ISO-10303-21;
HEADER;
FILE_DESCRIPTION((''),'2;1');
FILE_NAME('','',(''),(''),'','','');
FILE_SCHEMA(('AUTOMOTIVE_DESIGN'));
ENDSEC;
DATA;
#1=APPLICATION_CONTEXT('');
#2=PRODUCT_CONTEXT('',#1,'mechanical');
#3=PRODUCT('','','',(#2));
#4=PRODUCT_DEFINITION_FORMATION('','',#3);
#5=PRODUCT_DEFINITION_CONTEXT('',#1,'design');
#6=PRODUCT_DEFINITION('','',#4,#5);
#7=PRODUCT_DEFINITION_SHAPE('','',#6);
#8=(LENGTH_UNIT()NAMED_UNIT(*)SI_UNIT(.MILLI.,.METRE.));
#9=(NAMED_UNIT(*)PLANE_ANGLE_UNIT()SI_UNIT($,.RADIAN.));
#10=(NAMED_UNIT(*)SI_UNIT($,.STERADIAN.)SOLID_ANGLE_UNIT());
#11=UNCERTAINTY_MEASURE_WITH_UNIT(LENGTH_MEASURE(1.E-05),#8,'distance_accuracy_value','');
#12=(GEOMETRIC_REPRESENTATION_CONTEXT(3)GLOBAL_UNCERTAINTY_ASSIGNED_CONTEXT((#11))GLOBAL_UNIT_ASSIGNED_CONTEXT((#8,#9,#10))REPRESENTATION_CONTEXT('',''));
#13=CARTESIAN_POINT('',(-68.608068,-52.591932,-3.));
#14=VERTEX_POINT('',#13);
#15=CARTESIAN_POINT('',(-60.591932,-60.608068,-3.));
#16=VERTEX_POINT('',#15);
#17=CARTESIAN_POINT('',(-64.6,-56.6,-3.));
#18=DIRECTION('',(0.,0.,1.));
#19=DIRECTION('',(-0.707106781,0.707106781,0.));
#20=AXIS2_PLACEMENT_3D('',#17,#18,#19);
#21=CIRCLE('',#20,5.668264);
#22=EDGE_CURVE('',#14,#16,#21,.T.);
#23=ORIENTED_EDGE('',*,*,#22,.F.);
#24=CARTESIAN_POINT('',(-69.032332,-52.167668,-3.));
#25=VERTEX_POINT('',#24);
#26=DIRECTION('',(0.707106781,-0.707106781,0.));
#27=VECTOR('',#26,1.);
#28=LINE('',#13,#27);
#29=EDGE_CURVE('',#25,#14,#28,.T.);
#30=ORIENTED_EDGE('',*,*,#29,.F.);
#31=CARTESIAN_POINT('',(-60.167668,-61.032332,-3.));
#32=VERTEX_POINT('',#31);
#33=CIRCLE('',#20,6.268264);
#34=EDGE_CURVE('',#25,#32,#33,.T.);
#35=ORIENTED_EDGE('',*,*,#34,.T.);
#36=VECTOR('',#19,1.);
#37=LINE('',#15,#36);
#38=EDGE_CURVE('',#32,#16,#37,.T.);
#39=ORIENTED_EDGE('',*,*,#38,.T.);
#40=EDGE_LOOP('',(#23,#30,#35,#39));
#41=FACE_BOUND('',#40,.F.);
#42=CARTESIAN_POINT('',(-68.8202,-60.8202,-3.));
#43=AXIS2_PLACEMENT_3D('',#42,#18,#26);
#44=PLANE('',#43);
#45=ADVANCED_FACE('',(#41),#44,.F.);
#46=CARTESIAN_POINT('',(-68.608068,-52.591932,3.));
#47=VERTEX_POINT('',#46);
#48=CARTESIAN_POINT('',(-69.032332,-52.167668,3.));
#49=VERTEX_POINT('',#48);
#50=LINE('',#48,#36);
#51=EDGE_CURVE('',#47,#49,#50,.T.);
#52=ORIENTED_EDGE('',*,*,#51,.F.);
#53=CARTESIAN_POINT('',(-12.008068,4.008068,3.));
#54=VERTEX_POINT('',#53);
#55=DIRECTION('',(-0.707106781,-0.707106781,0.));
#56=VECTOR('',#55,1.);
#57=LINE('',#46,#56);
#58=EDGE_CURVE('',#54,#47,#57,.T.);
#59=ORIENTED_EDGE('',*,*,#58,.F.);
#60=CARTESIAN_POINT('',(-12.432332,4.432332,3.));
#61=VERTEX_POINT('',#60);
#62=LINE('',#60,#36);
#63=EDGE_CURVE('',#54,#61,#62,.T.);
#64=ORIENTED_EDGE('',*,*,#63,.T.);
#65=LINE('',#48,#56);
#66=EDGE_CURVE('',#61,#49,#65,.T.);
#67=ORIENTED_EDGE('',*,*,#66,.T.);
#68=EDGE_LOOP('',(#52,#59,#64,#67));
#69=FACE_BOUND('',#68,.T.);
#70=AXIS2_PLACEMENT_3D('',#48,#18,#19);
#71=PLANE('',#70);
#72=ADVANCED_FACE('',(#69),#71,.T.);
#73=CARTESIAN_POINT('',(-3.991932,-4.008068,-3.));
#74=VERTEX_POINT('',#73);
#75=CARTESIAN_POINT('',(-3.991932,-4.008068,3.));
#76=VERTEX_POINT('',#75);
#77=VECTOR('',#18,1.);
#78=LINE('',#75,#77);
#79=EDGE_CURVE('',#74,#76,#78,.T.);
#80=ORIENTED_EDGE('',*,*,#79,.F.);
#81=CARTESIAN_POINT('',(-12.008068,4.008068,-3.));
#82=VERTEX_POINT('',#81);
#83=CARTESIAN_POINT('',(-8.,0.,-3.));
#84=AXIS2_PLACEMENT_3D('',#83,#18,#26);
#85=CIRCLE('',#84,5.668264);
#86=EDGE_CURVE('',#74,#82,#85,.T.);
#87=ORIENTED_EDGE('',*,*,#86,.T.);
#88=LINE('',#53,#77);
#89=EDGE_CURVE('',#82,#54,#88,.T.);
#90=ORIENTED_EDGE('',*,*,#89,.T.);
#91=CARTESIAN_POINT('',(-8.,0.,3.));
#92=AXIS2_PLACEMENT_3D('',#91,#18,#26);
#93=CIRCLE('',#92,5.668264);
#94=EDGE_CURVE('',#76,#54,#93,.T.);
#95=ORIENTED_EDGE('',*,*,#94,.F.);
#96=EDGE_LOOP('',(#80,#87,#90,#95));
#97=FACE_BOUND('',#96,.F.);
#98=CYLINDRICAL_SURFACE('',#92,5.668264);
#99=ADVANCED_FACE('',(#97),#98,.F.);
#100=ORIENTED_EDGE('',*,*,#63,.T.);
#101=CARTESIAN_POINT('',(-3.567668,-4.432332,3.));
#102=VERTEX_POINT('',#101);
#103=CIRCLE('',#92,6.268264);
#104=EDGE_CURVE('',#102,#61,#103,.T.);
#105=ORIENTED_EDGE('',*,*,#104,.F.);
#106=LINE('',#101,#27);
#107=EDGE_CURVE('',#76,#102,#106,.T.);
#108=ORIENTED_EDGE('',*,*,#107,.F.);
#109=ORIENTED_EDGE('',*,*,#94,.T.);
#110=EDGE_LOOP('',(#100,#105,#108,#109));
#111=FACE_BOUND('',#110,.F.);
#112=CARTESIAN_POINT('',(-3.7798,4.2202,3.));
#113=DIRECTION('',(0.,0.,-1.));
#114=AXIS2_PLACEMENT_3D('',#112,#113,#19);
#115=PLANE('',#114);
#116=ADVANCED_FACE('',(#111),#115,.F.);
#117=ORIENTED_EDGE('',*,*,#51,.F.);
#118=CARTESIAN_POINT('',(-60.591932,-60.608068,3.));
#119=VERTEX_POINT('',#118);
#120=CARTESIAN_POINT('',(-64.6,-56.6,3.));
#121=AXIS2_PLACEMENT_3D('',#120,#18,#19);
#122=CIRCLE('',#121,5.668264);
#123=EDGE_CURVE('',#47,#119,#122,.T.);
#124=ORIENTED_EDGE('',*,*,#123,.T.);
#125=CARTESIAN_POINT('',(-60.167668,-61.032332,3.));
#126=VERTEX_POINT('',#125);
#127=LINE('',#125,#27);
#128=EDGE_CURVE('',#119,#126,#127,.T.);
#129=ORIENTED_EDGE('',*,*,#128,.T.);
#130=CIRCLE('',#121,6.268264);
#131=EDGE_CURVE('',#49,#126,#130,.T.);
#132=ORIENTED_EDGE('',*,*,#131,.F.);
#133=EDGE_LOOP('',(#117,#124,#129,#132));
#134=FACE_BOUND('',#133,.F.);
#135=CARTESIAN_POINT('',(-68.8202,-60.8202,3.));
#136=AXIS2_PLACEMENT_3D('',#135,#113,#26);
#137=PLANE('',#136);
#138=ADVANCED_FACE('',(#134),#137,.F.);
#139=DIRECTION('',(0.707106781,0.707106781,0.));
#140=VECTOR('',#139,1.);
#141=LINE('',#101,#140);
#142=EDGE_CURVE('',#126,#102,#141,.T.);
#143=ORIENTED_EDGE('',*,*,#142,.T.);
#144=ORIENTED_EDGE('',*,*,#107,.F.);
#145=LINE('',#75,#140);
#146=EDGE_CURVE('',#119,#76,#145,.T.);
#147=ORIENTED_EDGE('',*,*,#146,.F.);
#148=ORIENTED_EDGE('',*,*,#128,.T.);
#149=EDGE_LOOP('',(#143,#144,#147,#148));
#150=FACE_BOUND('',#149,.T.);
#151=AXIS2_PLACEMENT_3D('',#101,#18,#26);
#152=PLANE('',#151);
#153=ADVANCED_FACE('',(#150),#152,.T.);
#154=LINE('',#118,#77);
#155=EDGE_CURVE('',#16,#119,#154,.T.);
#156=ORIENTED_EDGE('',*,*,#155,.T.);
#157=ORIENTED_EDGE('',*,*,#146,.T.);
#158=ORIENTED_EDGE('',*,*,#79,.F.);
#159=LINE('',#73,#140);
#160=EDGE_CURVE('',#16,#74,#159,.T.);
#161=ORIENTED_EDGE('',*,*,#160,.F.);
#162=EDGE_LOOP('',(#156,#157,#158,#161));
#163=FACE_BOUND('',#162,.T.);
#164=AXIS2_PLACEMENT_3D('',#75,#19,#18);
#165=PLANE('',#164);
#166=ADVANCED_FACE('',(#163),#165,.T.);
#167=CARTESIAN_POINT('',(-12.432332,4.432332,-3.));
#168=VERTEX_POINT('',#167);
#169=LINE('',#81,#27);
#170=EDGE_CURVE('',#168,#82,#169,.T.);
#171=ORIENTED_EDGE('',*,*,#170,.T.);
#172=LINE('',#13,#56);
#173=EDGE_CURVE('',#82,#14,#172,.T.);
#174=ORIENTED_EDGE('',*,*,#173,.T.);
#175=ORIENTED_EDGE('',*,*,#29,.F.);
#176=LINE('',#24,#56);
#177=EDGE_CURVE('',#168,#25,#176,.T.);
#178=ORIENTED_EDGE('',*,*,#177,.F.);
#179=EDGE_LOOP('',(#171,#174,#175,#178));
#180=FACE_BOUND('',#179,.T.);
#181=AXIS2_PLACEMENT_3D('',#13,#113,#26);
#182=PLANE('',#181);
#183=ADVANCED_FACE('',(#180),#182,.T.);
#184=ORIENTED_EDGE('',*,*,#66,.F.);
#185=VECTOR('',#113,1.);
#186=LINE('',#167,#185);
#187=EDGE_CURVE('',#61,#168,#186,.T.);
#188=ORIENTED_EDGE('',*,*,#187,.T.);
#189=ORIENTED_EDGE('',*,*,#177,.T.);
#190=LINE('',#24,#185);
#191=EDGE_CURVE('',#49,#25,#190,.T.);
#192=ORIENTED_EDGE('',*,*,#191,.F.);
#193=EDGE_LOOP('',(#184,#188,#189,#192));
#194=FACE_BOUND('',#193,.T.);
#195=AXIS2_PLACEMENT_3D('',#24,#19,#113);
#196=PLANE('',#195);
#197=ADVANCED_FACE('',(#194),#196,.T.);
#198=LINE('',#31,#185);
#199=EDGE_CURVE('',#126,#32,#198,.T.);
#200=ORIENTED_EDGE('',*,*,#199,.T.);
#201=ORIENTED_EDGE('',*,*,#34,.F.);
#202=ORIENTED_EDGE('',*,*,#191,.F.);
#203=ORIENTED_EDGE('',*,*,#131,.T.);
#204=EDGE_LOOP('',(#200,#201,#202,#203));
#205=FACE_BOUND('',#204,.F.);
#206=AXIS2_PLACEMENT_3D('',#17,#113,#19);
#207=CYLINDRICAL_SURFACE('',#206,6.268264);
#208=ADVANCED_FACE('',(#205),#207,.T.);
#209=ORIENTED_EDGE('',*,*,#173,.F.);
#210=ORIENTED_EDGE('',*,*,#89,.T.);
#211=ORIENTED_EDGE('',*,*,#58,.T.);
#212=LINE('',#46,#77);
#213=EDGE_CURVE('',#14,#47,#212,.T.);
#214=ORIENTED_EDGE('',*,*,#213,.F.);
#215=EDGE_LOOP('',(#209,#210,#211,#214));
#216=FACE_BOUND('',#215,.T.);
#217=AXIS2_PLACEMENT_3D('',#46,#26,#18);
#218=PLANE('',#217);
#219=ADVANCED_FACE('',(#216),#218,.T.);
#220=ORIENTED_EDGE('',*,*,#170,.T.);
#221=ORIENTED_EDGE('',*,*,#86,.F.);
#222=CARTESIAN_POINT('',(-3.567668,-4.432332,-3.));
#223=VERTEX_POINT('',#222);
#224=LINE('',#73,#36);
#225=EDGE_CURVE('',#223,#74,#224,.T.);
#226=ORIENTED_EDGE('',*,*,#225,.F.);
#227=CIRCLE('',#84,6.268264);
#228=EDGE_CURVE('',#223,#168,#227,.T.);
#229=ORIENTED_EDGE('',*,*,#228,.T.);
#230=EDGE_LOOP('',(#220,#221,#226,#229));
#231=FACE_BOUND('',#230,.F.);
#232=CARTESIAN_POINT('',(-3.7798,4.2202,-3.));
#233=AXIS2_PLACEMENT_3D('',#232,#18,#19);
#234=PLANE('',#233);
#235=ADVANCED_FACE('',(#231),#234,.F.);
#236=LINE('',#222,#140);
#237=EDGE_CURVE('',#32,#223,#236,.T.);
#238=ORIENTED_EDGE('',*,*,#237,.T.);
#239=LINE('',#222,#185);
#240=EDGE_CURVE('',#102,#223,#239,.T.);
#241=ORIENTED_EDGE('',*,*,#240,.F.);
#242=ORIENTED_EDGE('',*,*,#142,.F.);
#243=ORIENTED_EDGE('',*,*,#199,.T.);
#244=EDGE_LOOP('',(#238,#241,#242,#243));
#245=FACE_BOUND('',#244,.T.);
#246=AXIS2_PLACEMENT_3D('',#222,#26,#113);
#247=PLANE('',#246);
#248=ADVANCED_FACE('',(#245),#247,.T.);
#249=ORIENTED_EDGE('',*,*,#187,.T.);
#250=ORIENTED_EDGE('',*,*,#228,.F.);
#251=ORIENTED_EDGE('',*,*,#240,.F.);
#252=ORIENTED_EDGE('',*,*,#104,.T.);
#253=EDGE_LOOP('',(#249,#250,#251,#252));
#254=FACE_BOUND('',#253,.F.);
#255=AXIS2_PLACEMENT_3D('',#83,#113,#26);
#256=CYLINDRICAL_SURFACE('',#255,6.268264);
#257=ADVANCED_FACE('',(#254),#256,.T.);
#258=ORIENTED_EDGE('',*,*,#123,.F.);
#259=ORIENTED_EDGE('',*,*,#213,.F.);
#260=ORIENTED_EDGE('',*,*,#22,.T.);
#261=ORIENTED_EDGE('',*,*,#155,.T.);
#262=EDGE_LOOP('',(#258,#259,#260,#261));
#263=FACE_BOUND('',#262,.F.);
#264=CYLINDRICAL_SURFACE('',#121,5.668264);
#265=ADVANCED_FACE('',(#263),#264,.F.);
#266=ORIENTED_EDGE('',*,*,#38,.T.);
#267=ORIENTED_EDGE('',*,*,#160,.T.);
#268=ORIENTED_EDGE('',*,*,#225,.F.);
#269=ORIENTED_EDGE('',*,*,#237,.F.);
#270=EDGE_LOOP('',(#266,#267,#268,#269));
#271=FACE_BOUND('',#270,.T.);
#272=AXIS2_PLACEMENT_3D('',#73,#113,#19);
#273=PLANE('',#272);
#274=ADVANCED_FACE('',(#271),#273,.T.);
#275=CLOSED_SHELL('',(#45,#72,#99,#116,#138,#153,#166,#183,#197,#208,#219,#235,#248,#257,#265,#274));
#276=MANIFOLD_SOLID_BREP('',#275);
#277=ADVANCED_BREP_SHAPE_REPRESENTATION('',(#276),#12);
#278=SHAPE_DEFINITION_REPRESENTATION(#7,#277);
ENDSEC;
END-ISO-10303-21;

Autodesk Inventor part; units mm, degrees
sketch "Sketch Path" plane through (0, 0, 0) normal (0, 0, 1) x (1, 0, 0)
  arc A0 (-3.7798, -4.2202) -> (-12.2202, 4.2202) centre (-8, 0) ccw
  arc A1 (-68.8202, -52.3798) -> (-60.3798, -60.8202) centre (-64.6, -56.6) ccw
  line L0 (-68.8202, -52.3798) -> (-12.2202, 4.2202)
  line L1 (-3.7798, -4.2202) -> (-60.3798, -60.8202)
ref_plane "Cross Section Plane" through (-12.2202, 4.2202, 0) normal (-0.7071, -0.7071, 0) x (0, 0, 1)
ref_plane "Work Plane2" through (-8, 0, 0) normal (-1, 0, 0) x (0, 0, 1)
ref_plane "Work Plane3" through (-64.6, -56.6, 0) normal (0.8046, 0.5938, 0) x (0, 0, 1)
sketch "Cross Section" plane through (-12.2202, 4.2202, 0) normal (-0.7071, -0.7071, 0) x (0, 0, 1)
  line L0 (-3, 0.3) -> (3, 0.3)
  line L1 (3, 0.3) -> (3, -0.3)
  line L2 (3, -0.3) -> (-3, -0.3)
  line L3 (-3, -0.3) -> (-3, 0.3)
  line L4 (-3, 0) -> (3, 0) construction
  point P0 (0, 0)
  point P1 (0, 0)
  dimension "d0" = 6
  dimension "d4" = 0.3
  dimension "d5" = 0.3
sweep "Belt" add profiles "Cross Section" path "Sketch Path"
equation "\"d0\" = da_B"
equation "\"d4\" = da_a"
equation "\"d5\" = da_a2"
equation "\"da_B\" = 6"
equation "\"da_pb\" = 2.5"
equation "\"da_L\" = 197.58898"
equation "\"da_a\" = 0.3"
equation "\"da_S\" = 1.5"
equation "\"da_Beta\" = 20deg"
equation "\"da_Ht\" = 0.7"
equation "\"da_H\" = 1.3"
equation "\"da_a2\" = 0.3"
properties part number "Synchronous Belt" material "Rubber"
